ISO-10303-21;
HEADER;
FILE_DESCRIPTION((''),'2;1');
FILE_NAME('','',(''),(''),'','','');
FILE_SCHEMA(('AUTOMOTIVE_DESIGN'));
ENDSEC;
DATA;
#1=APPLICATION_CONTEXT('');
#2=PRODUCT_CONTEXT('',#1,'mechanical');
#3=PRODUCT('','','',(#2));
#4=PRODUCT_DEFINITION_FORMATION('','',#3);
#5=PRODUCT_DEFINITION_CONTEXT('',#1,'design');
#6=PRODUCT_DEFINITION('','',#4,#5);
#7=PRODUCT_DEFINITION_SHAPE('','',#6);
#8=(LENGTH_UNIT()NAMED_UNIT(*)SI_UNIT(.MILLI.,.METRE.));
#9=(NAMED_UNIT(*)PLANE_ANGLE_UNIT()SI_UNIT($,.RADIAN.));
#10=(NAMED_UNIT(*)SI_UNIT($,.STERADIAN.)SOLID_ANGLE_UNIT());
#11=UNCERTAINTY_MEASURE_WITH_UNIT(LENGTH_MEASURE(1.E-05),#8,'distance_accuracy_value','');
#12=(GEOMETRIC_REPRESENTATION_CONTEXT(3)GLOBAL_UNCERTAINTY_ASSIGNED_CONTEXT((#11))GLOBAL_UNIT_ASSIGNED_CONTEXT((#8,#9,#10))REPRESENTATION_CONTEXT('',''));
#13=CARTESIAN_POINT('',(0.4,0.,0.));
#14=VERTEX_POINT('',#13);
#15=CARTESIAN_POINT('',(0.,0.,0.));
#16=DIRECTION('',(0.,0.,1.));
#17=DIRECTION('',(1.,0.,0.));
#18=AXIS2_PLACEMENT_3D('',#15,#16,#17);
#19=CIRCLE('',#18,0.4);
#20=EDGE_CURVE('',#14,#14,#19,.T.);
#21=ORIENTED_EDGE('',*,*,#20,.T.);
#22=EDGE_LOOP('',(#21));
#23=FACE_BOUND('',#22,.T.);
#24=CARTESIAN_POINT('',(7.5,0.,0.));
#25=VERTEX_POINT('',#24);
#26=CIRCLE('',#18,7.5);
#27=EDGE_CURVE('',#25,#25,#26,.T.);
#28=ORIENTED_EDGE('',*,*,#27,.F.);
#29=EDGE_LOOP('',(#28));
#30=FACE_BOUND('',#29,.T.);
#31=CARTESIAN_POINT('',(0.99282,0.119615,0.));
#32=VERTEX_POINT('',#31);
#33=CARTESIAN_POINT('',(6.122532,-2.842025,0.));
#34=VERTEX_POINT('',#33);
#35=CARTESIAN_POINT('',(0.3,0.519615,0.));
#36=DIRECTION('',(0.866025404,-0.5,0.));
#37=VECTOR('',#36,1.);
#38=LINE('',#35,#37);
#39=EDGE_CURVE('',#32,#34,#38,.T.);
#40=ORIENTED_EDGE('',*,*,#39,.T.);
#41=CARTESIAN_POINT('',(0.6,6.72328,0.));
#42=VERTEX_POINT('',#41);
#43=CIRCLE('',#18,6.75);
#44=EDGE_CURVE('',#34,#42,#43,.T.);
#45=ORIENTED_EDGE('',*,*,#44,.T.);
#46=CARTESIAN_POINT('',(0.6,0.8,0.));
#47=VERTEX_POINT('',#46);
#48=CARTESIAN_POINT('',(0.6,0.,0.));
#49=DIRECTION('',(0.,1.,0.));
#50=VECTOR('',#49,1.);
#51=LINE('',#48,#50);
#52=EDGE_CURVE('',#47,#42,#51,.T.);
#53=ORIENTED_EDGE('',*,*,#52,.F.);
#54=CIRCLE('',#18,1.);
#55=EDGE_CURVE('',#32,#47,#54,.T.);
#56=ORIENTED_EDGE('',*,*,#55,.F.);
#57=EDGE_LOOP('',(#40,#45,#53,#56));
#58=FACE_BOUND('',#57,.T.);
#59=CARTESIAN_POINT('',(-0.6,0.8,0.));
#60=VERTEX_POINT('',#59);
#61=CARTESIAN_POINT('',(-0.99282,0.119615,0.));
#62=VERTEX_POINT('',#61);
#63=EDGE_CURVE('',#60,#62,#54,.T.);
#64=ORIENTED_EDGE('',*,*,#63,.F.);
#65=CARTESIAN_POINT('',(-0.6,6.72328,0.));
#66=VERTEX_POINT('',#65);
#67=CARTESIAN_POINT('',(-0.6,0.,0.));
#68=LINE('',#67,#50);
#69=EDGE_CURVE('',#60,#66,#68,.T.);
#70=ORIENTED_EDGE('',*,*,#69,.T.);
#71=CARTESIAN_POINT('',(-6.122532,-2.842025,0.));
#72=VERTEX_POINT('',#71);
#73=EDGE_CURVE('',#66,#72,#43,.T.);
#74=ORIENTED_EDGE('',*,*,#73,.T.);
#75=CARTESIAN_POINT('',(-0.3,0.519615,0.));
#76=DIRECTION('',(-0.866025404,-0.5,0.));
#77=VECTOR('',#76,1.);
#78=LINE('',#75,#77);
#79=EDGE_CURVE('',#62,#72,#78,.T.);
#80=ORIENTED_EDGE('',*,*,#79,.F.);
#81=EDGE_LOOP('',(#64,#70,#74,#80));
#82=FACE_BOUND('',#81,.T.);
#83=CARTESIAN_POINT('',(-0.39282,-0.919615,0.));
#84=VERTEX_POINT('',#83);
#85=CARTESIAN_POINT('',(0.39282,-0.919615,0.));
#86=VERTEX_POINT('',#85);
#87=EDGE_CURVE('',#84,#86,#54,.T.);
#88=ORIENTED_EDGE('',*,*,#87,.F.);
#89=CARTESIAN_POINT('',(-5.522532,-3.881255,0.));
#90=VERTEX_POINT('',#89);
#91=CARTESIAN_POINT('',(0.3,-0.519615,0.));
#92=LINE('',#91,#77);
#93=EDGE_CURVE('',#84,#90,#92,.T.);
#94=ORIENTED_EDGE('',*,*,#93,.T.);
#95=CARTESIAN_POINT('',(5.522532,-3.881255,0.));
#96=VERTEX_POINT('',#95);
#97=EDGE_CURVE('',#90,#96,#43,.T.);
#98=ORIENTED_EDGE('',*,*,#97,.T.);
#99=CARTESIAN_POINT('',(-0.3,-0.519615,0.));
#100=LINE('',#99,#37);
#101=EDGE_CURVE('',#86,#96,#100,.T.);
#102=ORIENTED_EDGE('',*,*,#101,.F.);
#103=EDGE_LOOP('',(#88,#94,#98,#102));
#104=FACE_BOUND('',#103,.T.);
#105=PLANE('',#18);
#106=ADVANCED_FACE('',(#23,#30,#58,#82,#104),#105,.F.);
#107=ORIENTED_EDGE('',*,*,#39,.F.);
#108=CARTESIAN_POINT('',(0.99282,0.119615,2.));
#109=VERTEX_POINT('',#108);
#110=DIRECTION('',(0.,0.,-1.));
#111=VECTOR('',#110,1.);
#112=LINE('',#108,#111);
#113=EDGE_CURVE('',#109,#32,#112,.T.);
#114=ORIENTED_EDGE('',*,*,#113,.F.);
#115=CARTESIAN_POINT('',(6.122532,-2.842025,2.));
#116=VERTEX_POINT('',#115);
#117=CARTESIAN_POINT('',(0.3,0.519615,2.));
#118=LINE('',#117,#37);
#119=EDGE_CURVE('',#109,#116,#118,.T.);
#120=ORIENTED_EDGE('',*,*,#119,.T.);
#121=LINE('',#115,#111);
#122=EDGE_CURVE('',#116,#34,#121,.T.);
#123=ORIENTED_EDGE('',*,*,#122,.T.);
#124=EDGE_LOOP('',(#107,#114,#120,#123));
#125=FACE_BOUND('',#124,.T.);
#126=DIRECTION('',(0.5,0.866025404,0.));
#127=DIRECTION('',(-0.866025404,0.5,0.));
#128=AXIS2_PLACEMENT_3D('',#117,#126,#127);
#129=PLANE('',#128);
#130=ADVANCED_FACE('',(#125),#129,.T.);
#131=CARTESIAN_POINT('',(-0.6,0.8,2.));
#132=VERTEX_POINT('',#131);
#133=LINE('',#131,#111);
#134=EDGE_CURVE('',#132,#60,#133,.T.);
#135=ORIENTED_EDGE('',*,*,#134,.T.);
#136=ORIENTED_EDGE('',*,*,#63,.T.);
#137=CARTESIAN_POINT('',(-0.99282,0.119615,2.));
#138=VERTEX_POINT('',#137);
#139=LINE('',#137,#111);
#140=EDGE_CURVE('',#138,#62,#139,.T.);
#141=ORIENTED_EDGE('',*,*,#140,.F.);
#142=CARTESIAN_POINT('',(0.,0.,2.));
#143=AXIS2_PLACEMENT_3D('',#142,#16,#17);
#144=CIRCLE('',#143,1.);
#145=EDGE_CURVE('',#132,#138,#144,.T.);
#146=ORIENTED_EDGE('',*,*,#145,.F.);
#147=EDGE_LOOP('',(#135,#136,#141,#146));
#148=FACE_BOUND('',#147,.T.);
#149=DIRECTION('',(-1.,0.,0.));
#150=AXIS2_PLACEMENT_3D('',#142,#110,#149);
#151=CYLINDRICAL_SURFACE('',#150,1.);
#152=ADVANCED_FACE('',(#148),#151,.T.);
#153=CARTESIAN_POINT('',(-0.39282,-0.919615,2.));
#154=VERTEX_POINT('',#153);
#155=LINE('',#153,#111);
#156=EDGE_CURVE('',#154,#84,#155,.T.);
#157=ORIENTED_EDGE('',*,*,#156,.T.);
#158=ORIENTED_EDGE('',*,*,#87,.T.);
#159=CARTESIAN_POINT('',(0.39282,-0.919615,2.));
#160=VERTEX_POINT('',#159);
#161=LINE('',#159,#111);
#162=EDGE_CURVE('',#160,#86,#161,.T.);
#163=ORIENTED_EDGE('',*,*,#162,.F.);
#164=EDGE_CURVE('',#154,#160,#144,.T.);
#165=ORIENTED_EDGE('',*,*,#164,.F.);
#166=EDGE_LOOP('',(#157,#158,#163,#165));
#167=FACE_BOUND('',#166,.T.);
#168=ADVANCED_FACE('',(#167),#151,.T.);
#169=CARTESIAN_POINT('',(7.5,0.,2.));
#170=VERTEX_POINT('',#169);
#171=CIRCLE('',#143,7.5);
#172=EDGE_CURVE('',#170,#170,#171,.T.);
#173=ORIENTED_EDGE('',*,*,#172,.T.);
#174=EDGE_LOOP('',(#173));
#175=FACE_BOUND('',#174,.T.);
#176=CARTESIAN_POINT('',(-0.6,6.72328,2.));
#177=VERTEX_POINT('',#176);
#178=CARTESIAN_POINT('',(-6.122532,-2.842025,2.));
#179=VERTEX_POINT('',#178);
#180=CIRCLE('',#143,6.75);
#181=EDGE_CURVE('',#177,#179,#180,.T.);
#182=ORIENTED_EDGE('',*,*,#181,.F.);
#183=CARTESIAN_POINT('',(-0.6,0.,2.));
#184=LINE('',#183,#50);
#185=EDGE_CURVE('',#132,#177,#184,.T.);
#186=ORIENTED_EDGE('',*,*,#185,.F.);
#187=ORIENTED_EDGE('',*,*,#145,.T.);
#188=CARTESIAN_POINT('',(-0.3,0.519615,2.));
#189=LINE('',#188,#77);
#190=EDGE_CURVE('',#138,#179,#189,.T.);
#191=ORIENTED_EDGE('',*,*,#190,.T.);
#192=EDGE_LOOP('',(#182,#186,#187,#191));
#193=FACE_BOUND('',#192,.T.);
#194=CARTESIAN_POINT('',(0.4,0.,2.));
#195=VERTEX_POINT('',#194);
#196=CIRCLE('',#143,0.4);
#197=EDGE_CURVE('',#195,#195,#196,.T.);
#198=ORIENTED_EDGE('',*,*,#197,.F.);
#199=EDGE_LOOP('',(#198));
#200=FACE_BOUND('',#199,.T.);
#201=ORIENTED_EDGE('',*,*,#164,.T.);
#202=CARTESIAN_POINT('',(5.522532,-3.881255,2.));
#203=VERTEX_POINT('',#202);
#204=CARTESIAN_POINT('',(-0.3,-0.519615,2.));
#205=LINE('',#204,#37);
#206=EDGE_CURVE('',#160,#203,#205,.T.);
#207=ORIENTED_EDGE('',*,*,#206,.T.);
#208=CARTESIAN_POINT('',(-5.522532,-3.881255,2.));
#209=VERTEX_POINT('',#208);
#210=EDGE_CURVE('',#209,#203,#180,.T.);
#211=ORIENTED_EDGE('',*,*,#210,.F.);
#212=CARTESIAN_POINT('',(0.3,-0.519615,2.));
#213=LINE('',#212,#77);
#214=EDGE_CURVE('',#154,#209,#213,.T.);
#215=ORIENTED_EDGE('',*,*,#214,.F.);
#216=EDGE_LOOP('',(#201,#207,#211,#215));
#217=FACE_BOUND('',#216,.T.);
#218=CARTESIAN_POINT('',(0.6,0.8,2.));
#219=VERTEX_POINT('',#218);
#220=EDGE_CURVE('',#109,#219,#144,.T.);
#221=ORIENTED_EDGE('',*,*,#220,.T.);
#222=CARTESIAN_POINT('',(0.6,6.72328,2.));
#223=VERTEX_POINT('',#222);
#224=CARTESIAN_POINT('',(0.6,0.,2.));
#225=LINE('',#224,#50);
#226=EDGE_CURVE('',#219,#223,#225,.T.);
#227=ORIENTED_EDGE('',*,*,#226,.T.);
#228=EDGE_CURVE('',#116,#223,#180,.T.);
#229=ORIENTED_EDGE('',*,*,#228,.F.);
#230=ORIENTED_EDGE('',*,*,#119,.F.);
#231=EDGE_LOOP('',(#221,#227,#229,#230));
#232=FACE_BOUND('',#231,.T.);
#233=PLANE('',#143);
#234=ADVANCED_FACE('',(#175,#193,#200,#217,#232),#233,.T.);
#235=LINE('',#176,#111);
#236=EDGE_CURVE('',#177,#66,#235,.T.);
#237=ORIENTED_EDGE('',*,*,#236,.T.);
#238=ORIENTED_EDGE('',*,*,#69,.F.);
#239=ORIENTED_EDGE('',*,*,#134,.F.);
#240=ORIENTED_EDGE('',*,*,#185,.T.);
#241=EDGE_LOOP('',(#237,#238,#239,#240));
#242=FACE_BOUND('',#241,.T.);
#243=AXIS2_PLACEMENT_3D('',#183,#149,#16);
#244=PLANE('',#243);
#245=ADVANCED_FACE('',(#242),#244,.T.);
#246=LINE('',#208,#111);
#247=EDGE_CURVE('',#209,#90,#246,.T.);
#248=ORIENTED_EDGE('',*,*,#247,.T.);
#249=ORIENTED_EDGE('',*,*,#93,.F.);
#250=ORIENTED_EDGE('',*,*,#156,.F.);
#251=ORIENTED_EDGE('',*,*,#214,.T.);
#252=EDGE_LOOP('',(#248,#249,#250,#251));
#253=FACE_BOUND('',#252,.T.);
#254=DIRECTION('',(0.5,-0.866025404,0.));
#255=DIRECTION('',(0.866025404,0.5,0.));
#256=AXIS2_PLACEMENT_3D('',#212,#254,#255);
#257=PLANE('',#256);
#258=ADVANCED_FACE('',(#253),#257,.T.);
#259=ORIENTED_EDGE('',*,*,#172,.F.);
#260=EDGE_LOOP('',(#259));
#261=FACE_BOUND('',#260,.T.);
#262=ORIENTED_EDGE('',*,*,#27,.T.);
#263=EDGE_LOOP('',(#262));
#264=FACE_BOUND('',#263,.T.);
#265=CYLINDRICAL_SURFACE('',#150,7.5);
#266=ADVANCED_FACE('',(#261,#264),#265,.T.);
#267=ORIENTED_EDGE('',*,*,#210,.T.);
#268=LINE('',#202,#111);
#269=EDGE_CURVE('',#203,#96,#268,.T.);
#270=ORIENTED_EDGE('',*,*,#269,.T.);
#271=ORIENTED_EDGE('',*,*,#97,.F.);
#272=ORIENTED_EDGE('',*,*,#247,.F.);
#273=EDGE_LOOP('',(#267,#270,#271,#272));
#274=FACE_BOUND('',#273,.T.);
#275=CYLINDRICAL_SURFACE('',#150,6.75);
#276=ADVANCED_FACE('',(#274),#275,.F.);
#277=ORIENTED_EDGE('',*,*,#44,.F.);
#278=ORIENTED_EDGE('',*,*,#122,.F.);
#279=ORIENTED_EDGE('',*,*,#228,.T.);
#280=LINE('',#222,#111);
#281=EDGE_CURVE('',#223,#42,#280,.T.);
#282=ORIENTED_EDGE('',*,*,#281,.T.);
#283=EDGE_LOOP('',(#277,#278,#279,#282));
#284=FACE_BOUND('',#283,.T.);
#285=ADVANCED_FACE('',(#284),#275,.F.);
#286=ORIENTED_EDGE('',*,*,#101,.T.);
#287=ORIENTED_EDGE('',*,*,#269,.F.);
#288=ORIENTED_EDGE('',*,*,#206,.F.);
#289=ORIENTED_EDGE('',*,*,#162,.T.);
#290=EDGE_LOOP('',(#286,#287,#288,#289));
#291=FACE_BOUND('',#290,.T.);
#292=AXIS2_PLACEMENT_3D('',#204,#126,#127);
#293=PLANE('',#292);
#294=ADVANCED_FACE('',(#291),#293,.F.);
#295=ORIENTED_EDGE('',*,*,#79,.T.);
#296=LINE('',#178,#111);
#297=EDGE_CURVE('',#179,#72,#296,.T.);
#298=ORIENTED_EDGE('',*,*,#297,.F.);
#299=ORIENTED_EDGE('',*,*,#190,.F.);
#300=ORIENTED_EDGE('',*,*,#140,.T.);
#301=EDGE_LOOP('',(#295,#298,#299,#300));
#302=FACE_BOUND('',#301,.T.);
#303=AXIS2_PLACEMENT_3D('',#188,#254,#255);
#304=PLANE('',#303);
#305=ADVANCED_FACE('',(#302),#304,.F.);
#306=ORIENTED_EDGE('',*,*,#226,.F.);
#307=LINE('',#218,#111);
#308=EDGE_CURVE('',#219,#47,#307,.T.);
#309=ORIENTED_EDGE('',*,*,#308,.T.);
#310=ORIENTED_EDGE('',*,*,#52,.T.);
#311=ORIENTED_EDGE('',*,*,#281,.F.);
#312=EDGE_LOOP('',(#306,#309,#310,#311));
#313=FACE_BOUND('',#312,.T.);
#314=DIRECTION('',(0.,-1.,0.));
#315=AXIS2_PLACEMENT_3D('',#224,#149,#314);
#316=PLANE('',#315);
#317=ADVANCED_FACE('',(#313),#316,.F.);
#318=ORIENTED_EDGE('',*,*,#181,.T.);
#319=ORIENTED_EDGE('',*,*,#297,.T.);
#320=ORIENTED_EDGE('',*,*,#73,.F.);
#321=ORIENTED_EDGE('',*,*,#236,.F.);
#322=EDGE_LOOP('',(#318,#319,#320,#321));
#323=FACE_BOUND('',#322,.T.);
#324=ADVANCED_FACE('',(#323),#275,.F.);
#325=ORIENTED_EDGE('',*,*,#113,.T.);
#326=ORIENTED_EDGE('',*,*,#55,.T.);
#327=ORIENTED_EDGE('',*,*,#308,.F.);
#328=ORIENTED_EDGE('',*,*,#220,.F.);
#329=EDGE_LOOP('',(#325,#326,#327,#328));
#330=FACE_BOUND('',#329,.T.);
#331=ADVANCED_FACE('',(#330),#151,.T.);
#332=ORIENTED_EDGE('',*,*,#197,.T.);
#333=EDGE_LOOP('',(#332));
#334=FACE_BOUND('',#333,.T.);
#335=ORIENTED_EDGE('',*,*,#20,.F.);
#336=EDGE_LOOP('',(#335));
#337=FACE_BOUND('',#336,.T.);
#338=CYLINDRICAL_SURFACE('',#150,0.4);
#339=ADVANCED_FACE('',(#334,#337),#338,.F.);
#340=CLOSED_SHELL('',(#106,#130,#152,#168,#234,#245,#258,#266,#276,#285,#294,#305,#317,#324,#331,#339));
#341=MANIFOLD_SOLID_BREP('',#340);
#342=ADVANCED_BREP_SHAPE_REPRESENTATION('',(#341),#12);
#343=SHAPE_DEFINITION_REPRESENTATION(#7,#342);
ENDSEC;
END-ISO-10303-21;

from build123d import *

# Parameters (mm, degrees)
SKETCH1_R           = 7.5
SKETCH1_R_2         = 0.4
BOSS_EXTRUDE1_DEPTH = 2


with BuildPart() as part:
    # Sketch1 → Boss-Extrude1 (new body)
    with BuildSketch(Plane.XY):
        Circle(SKETCH1_R)
        with BuildLine():
            Line((-0.6, 6.723280449), (-0.6, 0.8))
            ThreePointArc((-0.6, 0.8), (-0.866025404, 0.5), (-0.992820323, 0.119615242))
            Line((-0.992820323, 0.119615242), (-6.122531666, -2.842024982))
            ThreePointArc((-6.122531666, -2.842024982), (-5.845671476, 3.375), (-0.6, 6.723280449))
        make_face(mode=Mode.SUBTRACT)
        with BuildLine():
            Line((-5.522531666, -3.881255467), (-0.392820323, -0.919615242))
            ThreePointArc((-0.392820323, -0.919615242), (0, -1), (0.392820323, -0.919615242))
            Line((0.392820323, -0.919615242), (5.522531666, -3.881255467))
            ThreePointArc((5.522531666, -3.881255467), (0, -6.75), (-5.522531666, -3.881255467))
        make_face(mode=Mode.SUBTRACT)
        with BuildLine():
            Line((6.122531666, -2.842024982), (0.992820323, 0.119615242))
            ThreePointArc((0.992820323, 0.119615242), (0.866025404, 0.5), (0.6, 0.8))
            Line((0.6, 0.8), (0.6, 6.723280449))
            ThreePointArc((0.6, 6.723280449), (5.845671476, 3.375), (6.122531666, -2.842024982))
        make_face(mode=Mode.SUBTRACT)
        Circle(SKETCH1_R_2, mode=Mode.SUBTRACT)
    extrude(amount=BOSS_EXTRUDE1_DEPTH)


solid = part.part
